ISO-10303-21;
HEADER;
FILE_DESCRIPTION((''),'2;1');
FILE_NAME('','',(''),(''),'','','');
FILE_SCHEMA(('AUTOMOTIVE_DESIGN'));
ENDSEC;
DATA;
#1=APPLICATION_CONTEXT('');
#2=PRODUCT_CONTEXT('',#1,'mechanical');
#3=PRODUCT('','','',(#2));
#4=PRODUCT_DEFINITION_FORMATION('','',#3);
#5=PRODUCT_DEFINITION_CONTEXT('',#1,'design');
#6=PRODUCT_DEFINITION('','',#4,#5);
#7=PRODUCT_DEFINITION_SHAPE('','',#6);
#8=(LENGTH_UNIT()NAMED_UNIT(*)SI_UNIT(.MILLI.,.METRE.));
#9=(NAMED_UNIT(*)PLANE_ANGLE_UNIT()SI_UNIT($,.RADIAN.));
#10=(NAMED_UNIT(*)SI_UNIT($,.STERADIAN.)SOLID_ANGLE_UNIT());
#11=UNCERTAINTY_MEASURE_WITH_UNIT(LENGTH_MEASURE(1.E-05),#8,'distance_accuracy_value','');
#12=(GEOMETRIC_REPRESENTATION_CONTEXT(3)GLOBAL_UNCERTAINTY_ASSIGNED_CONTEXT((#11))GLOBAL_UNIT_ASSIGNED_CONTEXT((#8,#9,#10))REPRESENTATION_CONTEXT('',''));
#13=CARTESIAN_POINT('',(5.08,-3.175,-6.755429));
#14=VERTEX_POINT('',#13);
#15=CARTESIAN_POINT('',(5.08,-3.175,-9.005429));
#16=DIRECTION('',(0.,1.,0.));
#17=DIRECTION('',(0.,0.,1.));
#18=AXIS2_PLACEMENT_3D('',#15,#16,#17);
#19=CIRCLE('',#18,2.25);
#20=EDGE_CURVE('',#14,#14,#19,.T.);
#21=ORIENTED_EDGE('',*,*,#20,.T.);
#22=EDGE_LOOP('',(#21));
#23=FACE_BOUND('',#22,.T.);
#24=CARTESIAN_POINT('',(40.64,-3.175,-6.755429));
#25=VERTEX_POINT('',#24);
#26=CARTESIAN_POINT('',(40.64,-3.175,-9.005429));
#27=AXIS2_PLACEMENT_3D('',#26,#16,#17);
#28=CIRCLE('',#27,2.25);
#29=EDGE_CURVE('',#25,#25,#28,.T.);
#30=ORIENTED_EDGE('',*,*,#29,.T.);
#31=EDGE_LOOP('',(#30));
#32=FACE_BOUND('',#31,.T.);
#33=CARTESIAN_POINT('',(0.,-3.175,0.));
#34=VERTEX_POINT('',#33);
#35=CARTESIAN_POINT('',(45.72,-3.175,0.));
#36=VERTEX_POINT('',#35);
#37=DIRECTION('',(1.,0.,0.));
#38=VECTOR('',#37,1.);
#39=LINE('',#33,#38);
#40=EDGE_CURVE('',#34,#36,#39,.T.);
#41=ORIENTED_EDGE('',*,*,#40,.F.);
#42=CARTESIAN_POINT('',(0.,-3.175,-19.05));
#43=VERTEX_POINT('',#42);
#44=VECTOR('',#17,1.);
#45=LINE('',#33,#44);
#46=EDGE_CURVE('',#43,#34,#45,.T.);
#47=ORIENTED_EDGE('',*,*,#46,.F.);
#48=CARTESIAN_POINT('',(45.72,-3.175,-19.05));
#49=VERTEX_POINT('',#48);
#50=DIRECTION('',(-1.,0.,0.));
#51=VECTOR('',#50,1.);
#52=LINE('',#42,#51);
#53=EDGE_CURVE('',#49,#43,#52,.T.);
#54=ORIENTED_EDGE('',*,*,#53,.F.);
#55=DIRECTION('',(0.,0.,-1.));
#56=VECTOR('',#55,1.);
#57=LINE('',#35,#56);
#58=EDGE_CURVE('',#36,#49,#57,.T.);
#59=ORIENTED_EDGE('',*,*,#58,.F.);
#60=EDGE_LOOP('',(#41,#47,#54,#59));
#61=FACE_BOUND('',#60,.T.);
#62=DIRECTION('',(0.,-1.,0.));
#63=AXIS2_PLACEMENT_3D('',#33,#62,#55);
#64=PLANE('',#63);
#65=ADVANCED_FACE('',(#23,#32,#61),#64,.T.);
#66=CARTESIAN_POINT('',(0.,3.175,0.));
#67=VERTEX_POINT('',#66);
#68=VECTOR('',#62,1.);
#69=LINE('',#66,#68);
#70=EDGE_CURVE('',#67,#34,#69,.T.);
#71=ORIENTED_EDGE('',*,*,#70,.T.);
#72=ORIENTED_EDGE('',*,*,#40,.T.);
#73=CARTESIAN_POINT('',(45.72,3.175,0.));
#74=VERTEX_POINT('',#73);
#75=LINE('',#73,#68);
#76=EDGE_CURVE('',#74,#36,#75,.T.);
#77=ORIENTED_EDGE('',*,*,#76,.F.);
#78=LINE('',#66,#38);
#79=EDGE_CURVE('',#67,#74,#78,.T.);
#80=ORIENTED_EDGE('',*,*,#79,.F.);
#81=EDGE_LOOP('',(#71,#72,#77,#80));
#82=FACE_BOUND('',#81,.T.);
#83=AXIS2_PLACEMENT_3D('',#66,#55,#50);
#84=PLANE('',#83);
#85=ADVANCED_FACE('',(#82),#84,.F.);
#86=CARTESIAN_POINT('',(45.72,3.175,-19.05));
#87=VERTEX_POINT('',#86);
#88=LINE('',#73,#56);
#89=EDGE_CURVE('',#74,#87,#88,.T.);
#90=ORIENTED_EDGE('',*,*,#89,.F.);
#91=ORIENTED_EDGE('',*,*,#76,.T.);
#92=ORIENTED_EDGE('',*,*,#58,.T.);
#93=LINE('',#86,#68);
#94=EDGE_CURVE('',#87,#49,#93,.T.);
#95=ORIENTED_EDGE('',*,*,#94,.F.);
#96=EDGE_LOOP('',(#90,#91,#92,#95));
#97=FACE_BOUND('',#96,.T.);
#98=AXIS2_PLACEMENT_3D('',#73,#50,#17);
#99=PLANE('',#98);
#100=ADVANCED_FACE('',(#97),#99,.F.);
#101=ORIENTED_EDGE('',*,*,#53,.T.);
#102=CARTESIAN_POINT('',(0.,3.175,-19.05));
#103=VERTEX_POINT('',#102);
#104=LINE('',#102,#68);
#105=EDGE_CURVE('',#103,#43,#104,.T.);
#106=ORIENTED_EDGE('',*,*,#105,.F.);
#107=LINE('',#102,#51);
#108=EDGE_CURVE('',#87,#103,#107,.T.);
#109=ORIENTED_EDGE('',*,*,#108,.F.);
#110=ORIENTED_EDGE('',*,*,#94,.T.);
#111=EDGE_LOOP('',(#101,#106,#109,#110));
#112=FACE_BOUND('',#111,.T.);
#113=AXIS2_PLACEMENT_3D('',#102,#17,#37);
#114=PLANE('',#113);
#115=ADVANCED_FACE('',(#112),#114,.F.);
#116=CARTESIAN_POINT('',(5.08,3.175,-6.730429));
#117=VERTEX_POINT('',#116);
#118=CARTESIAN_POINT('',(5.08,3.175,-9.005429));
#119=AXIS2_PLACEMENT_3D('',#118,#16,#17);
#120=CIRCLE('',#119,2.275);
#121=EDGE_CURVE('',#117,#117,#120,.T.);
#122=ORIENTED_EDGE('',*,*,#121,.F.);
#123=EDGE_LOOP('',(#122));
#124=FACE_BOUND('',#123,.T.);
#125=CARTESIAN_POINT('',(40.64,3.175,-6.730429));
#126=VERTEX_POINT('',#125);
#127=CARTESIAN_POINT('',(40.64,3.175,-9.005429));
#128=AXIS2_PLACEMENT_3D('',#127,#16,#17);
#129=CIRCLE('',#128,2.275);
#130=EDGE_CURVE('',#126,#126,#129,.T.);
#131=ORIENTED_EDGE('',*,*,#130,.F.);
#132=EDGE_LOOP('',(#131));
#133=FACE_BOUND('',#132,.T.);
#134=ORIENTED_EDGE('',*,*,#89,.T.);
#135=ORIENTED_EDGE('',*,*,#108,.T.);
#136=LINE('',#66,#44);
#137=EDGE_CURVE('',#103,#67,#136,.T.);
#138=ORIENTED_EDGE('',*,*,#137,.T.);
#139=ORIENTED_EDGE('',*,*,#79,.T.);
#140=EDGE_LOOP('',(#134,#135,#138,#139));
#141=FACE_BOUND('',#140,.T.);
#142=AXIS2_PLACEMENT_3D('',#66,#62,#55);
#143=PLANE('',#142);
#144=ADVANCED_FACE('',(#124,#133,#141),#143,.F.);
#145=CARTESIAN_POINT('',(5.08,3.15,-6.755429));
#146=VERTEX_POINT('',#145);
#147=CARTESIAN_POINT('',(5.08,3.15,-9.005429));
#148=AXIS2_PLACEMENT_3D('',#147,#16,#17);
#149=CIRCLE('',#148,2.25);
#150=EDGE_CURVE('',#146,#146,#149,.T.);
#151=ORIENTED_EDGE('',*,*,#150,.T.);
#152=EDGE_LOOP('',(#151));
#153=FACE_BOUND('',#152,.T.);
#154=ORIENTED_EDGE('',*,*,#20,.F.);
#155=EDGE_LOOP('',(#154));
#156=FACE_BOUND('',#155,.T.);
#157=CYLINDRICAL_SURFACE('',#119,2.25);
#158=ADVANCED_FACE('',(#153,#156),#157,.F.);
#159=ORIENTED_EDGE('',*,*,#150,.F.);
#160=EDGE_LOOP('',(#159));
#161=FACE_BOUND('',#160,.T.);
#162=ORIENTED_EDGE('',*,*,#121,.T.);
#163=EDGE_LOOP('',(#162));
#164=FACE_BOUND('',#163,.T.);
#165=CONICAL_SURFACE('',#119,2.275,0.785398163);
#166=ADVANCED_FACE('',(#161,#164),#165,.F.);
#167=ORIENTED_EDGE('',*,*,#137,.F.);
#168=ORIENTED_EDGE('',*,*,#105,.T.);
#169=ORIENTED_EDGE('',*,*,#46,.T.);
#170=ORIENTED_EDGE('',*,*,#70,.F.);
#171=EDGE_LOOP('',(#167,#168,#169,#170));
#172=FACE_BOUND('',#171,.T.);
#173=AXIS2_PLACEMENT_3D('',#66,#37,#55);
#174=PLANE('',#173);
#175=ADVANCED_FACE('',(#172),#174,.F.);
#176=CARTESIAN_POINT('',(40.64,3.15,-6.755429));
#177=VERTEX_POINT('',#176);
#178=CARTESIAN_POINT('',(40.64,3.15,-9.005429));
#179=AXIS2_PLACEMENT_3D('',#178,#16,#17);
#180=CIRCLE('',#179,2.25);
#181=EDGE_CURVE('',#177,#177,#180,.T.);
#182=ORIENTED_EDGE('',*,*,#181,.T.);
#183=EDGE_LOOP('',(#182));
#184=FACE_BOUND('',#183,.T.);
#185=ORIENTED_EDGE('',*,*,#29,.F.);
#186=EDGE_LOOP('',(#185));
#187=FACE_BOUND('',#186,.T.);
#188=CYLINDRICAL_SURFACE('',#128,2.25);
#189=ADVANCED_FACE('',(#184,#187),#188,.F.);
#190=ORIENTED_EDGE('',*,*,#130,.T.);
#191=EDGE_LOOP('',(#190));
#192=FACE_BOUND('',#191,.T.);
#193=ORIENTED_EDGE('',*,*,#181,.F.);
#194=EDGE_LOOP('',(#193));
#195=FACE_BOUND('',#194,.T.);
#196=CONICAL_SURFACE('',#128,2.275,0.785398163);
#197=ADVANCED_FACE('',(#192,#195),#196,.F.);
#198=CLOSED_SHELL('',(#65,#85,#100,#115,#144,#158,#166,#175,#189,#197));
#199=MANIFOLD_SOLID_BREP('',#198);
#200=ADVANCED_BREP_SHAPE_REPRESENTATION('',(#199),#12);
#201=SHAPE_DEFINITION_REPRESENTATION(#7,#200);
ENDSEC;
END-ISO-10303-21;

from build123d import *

# Parameters (mm, degrees)
SKETCH1_W                      = 45.72
SKETCH1_H                      = 19.05
BOSS_EXTRUDE1_DEPTH            = 3.175
M4_CLEARANCE_HOLE1_D           = 4.5
M4_CLEARANCE_HOLE1_CSINK_D     = 4.55
M4_CLEARANCE_HOLE1_CSINK_ANGLE = 90


with BuildPart() as part:
    # Sketch1 → Boss-Extrude1 (new, symmetric)
    with BuildSketch(Plane(origin=(0, 0, 0), x_dir=(1, 0, 0), z_dir=(0, 1, 0))):
        with Locations((22.86, 9.525)):
            Rectangle(SKETCH1_W, SKETCH1_H)
    extrude(amount=BOSS_EXTRUDE1_DEPTH, both=True)

    # M4 Clearance Hole1 (through all)
    with Locations(Plane(origin=(0, 3.175, 0), x_dir=(1, 0, 0), z_dir=(0, 1, 0))):
        with Locations((5.08, 9.005429498), (40.64, 9.005429498)):
            CounterSinkHole(M4_CLEARANCE_HOLE1_D / 2, M4_CLEARANCE_HOLE1_CSINK_D / 2, counter_sink_angle=M4_CLEARANCE_HOLE1_CSINK_ANGLE)


solid = part.part
